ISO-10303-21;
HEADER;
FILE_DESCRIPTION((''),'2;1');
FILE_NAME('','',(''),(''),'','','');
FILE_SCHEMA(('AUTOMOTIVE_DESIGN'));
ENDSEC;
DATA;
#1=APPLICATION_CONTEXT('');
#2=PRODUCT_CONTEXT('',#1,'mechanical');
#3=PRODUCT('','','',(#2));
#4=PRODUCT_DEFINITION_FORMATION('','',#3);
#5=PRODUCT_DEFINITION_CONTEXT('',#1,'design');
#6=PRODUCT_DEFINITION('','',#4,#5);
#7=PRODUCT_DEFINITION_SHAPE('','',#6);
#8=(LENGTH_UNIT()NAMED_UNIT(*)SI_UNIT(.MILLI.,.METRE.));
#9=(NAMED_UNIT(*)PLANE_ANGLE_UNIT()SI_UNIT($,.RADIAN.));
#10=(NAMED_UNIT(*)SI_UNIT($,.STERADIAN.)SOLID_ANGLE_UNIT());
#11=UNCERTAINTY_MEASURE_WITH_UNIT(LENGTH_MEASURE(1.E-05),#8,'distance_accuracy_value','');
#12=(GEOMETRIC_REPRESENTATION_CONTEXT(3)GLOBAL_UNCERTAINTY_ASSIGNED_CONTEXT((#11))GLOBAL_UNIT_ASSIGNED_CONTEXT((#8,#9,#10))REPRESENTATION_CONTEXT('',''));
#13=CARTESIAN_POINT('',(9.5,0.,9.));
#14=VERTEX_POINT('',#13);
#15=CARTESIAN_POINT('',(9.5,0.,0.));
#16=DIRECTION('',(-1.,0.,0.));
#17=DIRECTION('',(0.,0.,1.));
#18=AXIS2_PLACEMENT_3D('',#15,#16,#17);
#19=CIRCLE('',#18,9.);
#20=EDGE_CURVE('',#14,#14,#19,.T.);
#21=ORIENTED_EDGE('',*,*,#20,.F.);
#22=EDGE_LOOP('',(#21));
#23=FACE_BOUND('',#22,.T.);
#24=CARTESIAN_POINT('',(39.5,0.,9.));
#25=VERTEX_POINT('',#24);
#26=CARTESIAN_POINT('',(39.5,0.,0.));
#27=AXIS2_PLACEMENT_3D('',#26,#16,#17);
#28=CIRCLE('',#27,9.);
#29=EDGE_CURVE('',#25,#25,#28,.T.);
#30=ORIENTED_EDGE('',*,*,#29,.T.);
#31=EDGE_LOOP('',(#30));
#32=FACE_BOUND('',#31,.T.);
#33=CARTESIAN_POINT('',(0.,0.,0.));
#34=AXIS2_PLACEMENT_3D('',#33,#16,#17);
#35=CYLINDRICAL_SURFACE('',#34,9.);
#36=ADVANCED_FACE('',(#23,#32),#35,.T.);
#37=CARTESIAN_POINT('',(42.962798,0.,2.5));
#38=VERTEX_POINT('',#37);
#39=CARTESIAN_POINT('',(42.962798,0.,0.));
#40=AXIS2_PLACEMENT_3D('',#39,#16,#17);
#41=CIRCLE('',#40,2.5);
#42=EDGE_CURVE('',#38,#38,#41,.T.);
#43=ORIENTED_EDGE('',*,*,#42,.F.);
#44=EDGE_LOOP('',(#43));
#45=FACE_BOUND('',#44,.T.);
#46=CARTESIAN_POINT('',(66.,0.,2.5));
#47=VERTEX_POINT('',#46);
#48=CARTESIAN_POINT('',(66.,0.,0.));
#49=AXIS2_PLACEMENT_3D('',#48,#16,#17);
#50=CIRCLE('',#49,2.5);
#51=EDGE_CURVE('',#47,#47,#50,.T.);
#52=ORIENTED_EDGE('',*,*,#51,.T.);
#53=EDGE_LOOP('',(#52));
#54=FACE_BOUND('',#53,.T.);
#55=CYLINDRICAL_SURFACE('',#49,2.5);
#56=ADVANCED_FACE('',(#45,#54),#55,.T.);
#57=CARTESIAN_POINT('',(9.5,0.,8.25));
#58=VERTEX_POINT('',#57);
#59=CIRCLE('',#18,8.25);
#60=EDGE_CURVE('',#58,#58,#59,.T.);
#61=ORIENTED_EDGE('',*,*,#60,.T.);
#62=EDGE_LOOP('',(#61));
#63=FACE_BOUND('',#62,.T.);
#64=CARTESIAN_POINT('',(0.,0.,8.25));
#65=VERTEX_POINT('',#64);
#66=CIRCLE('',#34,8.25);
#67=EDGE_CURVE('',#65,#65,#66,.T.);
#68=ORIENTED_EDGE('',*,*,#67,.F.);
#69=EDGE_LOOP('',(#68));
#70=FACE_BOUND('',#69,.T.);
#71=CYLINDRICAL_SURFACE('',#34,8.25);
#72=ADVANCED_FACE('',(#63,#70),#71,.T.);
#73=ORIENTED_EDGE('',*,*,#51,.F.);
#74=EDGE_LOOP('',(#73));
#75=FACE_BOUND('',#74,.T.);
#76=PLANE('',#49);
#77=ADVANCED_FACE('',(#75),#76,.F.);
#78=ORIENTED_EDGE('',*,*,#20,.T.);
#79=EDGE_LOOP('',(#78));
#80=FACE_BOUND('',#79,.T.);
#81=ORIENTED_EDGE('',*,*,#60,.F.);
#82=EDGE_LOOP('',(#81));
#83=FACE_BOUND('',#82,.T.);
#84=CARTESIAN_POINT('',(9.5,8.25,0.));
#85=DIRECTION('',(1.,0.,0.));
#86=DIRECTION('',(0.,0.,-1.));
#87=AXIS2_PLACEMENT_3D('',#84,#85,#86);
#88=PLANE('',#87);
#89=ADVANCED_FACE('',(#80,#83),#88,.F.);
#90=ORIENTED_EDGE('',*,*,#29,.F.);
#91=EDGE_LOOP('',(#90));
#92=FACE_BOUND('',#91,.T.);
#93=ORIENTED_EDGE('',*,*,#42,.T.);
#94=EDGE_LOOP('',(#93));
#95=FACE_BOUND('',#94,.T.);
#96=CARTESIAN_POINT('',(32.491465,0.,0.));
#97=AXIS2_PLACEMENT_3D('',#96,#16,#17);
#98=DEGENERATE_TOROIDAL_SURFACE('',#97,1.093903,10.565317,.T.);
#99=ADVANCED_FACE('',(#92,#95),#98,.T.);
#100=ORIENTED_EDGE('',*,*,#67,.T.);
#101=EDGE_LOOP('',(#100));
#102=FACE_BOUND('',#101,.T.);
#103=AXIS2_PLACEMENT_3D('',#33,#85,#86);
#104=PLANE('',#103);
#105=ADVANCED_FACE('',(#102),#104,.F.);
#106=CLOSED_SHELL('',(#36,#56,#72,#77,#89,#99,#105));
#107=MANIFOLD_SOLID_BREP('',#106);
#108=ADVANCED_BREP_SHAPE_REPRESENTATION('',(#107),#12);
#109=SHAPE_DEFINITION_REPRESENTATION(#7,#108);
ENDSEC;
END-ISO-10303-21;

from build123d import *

# Parameters (mm, degrees)
SKETCH2_R           = 2.5
BOSS_EXTRUDE1_DEPTH = 66


with BuildPart() as part:
    # Sketch1 → Revolve1 (revolve)
    with BuildSketch(Plane.XY):
        with BuildLine():
            Line((0, 0), (0, 8.25))
            Line((0, 8.25), (9.5, 8.25))
            Line((9.5, 8.25), (9.5, 9))
            Line((9.5, 9), (39.5, 9))
            ThreePointArc((39.5, 9), (42.338390167, 4.923262843), (43, 0))
            Line((43, 0), (0, 0))
        make_face()
    revolve(axis=Axis((0, 0, 0), (1, 0, 0)))

    # Sketch2 → Boss-Extrude1 (add)
    with BuildSketch(Plane.ZY):
        Circle(SKETCH2_R)
    extrude(amount=-BOSS_EXTRUDE1_DEPTH)


solid = part.part
